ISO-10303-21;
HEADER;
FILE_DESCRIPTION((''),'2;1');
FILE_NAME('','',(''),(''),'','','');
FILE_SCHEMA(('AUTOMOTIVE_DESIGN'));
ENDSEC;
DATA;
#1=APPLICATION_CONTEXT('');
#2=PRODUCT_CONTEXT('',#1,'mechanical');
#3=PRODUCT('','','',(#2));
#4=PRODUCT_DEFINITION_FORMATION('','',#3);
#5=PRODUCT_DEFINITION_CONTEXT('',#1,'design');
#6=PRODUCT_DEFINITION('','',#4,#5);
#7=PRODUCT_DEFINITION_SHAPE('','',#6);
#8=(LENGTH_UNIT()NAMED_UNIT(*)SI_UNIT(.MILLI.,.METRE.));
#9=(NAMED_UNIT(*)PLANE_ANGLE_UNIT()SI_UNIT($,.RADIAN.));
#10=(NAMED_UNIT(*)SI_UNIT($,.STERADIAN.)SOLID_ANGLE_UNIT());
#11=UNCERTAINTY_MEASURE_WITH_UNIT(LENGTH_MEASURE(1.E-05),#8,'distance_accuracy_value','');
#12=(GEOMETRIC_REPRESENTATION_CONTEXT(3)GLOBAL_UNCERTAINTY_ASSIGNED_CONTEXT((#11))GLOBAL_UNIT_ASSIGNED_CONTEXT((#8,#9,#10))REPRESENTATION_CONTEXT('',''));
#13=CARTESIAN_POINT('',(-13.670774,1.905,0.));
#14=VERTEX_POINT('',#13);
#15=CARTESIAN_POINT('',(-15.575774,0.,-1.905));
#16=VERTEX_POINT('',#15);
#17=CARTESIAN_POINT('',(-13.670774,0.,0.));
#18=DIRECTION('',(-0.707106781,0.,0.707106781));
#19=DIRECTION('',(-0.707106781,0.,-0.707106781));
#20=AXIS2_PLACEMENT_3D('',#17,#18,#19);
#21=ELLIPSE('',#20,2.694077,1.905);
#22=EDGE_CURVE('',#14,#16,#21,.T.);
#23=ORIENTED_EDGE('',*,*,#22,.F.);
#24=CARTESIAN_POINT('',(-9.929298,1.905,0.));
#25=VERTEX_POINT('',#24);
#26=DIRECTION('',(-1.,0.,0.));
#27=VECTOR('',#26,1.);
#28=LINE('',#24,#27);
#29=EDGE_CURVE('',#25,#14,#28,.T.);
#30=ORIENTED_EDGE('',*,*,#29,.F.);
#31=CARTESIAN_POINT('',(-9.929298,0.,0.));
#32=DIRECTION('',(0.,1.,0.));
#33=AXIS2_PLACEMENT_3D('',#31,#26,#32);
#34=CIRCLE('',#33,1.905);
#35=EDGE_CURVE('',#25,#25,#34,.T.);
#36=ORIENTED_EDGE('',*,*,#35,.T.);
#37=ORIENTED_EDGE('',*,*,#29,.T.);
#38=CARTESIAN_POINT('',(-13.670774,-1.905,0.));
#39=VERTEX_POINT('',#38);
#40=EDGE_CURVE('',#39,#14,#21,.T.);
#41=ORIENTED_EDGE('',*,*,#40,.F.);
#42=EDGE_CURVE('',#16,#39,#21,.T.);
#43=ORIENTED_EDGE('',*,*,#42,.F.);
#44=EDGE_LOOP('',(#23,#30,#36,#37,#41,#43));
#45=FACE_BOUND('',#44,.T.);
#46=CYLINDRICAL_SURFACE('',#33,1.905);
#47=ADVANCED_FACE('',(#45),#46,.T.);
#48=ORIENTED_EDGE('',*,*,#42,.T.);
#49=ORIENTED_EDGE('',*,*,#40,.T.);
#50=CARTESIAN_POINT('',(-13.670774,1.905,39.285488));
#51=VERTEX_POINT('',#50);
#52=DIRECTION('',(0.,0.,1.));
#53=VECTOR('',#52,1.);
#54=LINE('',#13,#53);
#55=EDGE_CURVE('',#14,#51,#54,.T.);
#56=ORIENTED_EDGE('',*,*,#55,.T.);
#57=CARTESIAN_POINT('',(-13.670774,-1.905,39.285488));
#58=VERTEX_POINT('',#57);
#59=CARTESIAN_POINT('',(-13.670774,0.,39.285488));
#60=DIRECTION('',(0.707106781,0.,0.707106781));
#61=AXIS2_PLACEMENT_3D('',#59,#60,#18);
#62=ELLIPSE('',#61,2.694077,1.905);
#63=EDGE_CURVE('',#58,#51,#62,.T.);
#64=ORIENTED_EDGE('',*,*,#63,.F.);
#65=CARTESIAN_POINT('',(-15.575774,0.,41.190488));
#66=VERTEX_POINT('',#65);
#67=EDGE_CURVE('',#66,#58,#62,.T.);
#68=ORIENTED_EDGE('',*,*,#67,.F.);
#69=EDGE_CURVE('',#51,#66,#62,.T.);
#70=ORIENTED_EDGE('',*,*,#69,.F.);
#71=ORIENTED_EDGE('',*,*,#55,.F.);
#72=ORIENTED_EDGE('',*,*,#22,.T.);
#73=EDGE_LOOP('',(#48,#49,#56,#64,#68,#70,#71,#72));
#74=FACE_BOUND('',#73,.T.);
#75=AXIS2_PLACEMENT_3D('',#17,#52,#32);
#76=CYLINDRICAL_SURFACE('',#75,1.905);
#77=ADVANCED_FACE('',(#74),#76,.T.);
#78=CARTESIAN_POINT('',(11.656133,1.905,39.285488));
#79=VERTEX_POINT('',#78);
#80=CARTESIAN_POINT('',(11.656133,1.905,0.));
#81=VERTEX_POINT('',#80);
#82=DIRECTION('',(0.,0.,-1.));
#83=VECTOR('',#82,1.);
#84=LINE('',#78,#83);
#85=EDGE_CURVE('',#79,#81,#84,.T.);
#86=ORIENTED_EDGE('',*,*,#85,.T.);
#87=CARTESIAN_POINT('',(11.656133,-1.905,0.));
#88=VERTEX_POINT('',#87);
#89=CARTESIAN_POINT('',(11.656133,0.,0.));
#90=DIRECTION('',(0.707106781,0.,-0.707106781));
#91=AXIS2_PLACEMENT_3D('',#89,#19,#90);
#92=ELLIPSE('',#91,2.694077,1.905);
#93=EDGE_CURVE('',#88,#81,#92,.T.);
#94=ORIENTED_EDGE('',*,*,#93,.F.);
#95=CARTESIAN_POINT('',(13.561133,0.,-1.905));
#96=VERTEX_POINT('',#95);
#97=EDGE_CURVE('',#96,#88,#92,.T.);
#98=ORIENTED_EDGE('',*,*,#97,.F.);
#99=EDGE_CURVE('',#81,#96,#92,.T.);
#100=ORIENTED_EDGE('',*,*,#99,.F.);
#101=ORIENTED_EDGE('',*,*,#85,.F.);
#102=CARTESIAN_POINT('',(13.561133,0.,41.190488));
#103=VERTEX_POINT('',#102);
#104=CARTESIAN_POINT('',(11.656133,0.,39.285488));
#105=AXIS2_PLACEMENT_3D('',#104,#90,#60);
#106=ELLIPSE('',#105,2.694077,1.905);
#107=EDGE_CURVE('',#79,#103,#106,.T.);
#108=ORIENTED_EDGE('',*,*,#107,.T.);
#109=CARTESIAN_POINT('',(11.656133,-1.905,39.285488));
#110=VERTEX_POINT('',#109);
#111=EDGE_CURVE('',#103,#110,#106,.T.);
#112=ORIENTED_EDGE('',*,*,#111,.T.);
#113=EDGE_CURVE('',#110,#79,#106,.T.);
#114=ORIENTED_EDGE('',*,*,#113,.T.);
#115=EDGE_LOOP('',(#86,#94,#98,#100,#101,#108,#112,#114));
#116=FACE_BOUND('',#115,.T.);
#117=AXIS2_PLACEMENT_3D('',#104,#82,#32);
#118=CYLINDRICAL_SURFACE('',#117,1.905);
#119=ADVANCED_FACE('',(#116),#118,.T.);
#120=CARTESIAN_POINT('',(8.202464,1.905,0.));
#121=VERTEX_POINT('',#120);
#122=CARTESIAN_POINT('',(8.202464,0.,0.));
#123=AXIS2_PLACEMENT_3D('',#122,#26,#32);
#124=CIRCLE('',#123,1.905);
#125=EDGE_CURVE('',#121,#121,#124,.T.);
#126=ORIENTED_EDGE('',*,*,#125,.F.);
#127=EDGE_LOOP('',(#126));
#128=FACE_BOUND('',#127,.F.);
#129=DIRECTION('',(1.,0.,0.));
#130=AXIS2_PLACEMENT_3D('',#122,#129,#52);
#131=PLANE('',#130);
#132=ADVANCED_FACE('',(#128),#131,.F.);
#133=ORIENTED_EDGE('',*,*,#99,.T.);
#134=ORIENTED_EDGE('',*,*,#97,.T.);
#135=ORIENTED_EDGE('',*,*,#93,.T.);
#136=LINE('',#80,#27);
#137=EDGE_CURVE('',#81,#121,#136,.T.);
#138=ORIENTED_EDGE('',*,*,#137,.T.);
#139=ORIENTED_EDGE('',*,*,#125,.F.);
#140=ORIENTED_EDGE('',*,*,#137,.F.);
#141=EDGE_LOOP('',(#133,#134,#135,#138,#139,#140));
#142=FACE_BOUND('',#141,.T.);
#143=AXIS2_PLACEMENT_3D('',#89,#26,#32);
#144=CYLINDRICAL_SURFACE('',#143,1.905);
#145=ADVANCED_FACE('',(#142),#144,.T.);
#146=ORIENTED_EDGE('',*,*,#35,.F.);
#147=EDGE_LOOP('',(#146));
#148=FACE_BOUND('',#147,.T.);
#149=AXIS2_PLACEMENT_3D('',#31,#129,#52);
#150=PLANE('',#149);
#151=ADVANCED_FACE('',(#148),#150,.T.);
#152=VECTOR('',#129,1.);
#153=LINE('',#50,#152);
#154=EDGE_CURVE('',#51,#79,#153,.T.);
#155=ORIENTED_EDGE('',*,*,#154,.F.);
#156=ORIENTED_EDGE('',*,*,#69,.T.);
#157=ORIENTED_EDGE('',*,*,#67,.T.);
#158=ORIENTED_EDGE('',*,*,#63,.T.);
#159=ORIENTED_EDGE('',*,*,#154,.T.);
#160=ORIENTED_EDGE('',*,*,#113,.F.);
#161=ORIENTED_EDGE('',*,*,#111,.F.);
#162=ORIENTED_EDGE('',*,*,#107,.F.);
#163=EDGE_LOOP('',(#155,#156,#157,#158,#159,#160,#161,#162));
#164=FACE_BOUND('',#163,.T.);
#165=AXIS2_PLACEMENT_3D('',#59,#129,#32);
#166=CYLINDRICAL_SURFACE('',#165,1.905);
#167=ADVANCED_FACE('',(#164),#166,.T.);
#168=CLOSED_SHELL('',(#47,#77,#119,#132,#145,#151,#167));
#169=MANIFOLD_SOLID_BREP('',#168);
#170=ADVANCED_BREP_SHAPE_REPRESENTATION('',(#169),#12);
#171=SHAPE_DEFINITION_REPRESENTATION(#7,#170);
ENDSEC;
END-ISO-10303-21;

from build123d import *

# Parameters (mm, degrees)
F2_R = 1.905


with BuildPart() as f3:
    # F3: sweep along a path in F0
    with BuildLine(Plane.XZ) as f3_path:
        Line((-9.9292984232, 0), (-13.6707741767, 0))
        Line((-13.6707741767, 0), (-13.6707741767, 39.2854884267))
        Line((-13.6707741767, 39.2854884267), (11.6561325267, 39.2854884267))
        Line((11.6561325267, 39.2854884267), (11.6561325267, 0))
        Line((11.6561325267, 0), (8.2024643198, 0))
    # F2 (on offset) → F3 (sweep)
    with BuildSketch(Plane.YZ.offset(-10.033)):
        Circle(F2_R)
    sweep(path=f3_path.line, transition=Transition.RIGHT)


solid = f3.part
